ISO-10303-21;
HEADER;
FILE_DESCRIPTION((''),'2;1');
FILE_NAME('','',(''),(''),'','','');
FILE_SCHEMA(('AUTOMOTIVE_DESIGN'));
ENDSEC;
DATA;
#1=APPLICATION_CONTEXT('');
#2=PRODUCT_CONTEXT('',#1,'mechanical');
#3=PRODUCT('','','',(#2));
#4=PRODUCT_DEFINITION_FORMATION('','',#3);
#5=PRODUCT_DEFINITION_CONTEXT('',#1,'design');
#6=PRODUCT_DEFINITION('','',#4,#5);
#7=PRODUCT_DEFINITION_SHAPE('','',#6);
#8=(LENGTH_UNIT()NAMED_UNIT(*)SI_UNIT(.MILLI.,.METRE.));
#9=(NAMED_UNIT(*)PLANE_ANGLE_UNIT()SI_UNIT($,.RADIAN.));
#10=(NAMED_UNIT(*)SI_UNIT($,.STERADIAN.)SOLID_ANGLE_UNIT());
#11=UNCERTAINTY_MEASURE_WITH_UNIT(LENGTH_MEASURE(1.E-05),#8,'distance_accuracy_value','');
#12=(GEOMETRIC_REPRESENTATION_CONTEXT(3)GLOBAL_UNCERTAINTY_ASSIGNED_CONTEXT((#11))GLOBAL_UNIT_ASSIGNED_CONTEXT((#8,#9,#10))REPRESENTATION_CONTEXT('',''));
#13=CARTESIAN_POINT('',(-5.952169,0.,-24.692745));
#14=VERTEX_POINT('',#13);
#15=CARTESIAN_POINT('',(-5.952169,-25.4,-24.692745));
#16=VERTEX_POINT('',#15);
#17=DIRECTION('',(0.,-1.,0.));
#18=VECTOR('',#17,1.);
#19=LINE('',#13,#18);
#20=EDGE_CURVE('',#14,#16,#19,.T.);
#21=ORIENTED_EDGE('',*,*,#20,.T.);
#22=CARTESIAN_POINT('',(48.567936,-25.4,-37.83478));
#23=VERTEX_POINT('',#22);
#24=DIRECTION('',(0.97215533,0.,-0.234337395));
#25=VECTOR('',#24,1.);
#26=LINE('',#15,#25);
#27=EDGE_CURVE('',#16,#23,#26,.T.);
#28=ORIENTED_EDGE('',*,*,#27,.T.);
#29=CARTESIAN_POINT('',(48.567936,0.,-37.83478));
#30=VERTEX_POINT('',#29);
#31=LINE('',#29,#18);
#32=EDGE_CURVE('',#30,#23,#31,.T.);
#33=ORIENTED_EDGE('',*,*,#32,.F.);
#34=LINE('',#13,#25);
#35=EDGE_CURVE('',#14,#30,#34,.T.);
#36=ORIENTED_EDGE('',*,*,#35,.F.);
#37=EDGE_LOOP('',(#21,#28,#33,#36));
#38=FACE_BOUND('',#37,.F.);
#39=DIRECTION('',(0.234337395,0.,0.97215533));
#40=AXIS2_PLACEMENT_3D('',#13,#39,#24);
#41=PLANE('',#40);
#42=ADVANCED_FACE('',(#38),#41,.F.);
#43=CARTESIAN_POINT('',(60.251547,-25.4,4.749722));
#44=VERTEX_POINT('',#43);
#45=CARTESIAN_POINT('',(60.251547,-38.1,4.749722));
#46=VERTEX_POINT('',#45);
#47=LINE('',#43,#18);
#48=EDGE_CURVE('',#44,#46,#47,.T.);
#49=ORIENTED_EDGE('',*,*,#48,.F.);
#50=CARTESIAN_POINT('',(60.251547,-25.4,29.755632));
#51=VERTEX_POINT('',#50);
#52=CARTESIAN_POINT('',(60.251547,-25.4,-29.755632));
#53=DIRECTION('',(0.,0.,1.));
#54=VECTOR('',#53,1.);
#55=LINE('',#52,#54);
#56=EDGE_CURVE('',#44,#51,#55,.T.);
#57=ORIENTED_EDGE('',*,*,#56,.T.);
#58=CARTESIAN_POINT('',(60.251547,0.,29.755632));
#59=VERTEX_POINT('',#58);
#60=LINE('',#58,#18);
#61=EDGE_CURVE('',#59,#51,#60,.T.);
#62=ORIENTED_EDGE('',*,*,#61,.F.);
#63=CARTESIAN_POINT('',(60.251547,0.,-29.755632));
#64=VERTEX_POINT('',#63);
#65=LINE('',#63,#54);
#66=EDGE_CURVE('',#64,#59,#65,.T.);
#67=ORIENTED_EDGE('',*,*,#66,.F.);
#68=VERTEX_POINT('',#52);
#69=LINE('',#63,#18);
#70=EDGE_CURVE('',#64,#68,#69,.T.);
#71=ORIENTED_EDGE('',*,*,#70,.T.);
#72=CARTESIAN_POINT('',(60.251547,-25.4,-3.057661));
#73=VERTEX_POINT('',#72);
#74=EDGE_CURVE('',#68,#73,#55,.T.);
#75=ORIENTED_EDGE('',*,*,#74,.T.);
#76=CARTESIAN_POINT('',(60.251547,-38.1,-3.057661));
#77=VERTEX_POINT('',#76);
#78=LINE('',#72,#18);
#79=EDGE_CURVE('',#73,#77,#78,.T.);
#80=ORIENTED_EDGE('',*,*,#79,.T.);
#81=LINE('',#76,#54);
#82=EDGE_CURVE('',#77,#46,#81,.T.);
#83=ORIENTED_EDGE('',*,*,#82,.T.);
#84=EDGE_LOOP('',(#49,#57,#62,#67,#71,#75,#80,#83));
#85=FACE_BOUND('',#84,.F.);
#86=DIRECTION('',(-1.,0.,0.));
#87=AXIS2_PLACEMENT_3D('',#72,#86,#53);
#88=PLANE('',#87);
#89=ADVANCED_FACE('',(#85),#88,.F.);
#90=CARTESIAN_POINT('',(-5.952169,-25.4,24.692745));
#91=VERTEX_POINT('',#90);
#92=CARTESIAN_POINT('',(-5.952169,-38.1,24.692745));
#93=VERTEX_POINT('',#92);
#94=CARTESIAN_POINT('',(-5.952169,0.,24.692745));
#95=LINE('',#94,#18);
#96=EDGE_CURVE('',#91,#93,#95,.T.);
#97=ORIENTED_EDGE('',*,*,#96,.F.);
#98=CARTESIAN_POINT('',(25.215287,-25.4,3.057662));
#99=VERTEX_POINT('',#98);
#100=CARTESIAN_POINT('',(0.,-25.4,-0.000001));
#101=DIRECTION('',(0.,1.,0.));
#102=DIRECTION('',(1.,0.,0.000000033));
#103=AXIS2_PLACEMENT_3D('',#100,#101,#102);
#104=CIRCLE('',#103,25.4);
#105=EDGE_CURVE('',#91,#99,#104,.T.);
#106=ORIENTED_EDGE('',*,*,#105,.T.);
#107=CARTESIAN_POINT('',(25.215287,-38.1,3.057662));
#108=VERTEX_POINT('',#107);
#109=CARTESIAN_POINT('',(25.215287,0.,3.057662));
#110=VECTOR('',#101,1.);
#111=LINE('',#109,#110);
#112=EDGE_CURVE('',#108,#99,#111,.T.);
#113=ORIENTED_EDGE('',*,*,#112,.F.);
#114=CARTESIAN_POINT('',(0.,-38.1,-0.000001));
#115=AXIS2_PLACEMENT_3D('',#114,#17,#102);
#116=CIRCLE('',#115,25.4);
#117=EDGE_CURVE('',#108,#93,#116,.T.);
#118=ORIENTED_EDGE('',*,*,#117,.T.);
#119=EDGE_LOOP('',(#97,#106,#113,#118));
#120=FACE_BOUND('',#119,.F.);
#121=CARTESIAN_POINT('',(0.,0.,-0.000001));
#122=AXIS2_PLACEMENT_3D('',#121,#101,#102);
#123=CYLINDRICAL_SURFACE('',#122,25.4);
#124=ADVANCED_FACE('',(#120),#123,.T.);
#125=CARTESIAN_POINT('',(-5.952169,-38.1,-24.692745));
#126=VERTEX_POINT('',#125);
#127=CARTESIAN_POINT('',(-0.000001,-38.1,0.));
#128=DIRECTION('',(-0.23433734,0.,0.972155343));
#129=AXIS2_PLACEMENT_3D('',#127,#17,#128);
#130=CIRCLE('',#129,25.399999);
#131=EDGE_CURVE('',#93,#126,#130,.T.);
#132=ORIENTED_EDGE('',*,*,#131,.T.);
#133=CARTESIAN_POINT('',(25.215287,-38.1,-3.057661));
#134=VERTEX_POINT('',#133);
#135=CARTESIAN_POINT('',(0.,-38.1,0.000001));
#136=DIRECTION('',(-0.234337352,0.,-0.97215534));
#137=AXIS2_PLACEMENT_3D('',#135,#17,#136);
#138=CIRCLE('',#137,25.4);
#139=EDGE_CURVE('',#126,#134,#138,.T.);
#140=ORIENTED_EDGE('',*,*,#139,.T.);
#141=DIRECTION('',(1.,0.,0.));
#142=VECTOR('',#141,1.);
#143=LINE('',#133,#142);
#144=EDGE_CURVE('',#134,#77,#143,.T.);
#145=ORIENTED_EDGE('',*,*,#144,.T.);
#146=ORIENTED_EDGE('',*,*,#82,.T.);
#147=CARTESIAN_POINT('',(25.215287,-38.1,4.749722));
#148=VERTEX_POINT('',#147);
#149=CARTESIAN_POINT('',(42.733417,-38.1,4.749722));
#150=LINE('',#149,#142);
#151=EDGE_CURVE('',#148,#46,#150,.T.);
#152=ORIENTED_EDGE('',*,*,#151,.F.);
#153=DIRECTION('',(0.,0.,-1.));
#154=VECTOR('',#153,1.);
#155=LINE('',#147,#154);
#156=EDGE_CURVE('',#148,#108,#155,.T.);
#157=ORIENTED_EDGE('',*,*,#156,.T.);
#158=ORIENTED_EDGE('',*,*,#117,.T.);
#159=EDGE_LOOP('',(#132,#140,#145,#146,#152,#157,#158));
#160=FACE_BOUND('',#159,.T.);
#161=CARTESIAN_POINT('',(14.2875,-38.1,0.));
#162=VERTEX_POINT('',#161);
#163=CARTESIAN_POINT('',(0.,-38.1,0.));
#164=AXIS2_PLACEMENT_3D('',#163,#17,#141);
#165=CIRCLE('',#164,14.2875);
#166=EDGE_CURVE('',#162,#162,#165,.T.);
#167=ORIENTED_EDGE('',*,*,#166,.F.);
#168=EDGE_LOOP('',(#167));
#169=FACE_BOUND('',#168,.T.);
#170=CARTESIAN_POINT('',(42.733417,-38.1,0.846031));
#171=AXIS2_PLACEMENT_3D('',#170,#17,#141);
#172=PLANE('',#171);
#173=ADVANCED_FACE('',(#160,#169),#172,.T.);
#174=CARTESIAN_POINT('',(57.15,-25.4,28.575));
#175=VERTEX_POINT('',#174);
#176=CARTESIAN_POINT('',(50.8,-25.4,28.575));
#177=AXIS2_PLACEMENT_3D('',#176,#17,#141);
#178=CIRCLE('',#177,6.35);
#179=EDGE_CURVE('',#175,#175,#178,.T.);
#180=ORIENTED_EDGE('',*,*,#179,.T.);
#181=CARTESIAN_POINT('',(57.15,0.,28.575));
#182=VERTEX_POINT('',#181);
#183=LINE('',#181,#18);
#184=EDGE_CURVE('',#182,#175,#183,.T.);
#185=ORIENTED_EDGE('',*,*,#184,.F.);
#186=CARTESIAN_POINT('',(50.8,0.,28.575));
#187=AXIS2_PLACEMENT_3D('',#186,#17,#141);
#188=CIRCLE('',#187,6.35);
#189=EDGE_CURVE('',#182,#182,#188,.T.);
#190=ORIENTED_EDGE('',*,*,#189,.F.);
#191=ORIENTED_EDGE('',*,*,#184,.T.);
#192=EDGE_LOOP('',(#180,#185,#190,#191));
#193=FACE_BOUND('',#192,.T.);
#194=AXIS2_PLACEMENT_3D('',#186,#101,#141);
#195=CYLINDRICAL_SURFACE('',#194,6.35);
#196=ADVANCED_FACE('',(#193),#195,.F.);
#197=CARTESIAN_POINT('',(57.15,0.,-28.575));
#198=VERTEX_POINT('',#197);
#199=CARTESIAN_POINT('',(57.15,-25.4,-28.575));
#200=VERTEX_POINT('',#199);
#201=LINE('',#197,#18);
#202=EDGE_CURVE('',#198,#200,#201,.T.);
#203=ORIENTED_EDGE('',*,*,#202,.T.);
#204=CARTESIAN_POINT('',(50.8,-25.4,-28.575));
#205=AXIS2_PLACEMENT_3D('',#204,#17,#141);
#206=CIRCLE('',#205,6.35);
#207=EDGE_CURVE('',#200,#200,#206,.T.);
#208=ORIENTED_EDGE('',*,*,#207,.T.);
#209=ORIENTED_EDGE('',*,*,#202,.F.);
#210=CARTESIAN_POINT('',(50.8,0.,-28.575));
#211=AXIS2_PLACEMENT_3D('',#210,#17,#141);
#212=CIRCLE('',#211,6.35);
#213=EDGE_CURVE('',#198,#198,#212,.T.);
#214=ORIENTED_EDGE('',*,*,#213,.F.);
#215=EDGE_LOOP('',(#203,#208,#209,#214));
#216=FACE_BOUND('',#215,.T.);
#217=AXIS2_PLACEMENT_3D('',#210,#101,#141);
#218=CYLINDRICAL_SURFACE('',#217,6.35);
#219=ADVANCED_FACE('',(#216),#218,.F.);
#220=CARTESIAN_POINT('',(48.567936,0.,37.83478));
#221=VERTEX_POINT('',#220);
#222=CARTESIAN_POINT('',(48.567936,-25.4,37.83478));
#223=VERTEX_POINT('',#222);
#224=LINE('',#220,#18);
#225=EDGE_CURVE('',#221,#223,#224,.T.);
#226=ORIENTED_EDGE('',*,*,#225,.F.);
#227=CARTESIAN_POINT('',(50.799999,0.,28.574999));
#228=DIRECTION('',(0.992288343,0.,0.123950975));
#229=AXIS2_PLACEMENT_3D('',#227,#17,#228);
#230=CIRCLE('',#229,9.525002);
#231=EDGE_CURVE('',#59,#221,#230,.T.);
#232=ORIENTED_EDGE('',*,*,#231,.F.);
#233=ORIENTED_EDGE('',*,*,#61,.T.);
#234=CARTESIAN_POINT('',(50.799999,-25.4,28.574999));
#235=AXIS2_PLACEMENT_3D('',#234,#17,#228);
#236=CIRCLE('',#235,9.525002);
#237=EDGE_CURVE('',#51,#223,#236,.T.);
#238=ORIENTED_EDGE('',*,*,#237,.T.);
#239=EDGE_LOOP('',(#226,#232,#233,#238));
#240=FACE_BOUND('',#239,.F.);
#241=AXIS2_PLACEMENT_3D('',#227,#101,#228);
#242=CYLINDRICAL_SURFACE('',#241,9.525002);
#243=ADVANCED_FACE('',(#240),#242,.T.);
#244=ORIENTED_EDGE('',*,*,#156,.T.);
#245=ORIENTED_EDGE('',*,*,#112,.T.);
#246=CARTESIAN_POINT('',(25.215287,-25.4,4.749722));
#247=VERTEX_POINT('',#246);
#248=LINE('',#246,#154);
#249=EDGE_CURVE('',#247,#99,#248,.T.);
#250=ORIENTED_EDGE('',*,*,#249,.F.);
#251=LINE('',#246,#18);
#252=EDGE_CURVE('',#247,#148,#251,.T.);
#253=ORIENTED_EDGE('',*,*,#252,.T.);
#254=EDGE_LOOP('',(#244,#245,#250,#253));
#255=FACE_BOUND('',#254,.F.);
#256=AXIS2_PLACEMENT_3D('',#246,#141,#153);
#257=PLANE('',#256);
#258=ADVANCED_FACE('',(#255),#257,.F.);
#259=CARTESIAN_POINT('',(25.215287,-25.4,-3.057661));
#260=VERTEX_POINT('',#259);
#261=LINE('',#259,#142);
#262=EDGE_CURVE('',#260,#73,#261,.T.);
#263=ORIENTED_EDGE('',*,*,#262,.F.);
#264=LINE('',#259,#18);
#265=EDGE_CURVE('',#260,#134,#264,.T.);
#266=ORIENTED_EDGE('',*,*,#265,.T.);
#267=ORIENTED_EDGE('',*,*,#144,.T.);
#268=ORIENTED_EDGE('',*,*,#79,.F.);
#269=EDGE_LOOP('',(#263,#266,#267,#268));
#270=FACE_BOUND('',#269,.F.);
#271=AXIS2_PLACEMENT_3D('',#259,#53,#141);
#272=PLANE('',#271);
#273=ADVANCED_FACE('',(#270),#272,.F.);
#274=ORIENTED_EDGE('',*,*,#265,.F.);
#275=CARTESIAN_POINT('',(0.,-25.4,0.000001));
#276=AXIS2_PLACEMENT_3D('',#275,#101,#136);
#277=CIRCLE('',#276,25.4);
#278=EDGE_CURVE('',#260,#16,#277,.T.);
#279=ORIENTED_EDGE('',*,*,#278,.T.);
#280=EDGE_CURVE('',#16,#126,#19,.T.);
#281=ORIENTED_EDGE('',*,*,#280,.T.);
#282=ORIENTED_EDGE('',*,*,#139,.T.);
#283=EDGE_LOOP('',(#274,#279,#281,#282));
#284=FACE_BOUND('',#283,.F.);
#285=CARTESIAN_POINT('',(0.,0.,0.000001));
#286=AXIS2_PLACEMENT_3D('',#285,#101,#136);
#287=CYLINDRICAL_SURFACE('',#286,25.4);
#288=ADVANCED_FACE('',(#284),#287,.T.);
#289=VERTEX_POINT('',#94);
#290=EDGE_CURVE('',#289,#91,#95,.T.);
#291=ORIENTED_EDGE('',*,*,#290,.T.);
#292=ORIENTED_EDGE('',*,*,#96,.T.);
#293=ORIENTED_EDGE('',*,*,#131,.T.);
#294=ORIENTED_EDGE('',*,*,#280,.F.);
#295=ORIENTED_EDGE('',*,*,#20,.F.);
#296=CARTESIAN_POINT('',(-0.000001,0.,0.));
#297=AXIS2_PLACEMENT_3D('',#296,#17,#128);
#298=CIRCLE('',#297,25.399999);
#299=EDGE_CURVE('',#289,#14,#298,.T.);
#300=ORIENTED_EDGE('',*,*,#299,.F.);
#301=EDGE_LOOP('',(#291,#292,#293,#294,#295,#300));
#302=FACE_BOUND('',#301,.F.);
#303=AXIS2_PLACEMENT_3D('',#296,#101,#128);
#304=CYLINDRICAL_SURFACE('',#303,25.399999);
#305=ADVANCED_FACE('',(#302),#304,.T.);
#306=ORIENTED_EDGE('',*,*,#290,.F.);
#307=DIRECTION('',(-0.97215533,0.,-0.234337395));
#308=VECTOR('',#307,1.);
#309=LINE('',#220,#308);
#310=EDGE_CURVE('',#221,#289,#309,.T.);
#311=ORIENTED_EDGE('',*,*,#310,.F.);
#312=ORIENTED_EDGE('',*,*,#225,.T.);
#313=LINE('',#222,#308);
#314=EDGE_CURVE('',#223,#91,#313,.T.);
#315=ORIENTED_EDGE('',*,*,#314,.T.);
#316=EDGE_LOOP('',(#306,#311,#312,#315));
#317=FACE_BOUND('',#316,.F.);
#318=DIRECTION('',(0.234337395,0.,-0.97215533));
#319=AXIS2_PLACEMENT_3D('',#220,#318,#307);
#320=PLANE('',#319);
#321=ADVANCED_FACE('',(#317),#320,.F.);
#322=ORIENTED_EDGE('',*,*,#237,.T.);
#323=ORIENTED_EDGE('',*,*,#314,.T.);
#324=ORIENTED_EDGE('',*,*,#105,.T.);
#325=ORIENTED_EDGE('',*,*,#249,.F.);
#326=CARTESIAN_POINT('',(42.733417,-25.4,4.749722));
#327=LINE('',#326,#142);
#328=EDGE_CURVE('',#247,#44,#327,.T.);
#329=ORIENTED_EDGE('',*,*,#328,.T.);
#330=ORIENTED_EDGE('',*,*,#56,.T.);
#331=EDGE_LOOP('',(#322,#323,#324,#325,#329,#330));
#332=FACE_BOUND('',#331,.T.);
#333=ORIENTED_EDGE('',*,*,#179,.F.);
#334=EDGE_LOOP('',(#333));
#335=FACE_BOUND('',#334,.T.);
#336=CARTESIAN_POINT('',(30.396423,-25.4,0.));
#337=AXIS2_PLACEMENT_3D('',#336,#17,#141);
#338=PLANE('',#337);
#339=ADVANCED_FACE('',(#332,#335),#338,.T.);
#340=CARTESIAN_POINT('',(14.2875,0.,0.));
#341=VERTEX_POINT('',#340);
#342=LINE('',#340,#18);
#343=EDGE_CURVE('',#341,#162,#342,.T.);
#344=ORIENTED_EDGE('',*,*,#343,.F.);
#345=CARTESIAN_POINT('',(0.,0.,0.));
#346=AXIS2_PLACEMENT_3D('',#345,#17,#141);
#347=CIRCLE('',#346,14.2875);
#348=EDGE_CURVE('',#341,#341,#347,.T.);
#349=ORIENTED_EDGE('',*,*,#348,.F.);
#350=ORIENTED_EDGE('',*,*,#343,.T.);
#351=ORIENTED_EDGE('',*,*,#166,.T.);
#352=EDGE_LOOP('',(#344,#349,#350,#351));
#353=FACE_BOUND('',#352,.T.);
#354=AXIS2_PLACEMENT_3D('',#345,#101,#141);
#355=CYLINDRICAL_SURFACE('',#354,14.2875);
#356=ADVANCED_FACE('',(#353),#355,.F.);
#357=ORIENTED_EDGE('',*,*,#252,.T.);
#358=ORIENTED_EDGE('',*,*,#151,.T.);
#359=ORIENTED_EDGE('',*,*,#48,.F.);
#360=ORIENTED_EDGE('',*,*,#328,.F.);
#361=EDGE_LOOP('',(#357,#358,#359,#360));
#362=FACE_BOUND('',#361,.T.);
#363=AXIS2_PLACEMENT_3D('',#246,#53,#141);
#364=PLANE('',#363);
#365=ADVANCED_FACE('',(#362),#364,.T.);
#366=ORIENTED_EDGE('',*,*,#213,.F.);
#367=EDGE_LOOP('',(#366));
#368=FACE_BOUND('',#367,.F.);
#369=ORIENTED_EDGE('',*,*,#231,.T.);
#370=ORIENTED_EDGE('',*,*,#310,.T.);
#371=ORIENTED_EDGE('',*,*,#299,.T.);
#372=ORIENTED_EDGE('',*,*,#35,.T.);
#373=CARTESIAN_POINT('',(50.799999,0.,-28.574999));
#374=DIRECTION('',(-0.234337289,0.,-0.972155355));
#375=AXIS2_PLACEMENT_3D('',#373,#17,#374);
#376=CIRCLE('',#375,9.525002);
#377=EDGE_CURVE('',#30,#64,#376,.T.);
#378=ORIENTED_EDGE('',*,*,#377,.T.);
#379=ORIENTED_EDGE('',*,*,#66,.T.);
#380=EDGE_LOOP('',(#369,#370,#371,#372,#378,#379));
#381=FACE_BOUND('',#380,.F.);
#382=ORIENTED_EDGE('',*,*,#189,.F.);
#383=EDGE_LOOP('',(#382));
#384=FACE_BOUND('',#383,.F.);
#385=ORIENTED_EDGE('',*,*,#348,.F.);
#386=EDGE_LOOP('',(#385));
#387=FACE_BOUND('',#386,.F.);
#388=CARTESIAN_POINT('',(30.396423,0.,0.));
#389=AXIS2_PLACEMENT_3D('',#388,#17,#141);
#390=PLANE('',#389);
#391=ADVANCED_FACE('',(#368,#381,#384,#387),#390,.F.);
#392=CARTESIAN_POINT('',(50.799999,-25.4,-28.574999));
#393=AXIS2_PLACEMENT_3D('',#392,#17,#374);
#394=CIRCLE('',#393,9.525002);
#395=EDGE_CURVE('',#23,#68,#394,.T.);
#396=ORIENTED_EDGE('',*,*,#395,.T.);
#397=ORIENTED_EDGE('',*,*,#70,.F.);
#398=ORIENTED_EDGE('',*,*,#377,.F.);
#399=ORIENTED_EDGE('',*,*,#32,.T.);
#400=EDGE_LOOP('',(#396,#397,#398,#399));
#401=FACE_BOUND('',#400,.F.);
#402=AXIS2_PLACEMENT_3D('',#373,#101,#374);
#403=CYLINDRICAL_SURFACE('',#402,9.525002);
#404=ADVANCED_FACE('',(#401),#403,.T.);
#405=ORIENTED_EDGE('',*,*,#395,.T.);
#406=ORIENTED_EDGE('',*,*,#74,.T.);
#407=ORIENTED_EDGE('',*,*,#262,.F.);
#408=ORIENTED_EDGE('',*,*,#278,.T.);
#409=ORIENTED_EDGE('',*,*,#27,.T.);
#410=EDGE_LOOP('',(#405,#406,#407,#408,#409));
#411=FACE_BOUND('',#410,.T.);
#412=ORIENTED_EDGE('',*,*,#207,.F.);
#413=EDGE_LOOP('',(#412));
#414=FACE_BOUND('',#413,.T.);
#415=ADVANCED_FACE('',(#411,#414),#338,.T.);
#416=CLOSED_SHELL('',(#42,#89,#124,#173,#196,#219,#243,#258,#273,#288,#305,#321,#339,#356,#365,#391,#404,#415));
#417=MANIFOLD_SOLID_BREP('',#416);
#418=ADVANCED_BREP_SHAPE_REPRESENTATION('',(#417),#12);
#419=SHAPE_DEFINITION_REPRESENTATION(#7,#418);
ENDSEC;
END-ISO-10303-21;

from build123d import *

# Parameters (mm, degrees)
F0_R     = 6.35
F0_R_2   = 14.2875
F1_DEPTH = 25.4
F2_DEPTH = 38.1
F3_W     = 35.03626
F3_H     = 7.807383
F4_DEPTH = 12.7


with BuildPart() as f1:
    # F0 (on Front) → F1 (new body)
    with BuildSketch(Plane.XZ):
        with BuildLine():
            ThreePointArc((-5.952169, 24.692745), (15.715834, 19.954261), (25.4, 0))
            ThreePointArc((25.4, 0), (15.715834, -19.954261), (-5.952169, -24.692745))
            Line((-5.952169, -24.692745), (48.567936, -37.83478))
            ThreePointArc((48.567936, -37.83478), (56.217416, -36.409362), (60.251547, -29.755632))
            Line((60.251547, -29.755632), (60.251547, 27.394368))
            Line((60.251547, 27.394368), (60.251547, 29.755632))
            ThreePointArc((60.251547, 29.755632), (56.217416, 36.409362), (48.567936, 37.83478))
            Line((48.567936, 37.83478), (-5.952169, 24.692745))
        make_face()
        with Locations((50.8, -28.575)):
            Circle(F0_R, mode=Mode.SUBTRACT)
        with Locations((50.8, 28.575)):
            Circle(F0_R, mode=Mode.SUBTRACT)
        with BuildLine():
            ThreePointArc((-5.952169, -24.692745), (15.715834, -19.954261), (25.4, 0))
            ThreePointArc((25.4, 0), (15.715834, 19.954261), (-5.952169, 24.692745))
            ThreePointArc((-5.952169, 24.692745), (-25.4, 0), (-5.952169, -24.692745))
        make_face()
        Circle(F0_R_2, mode=Mode.SUBTRACT)
    extrude(amount=F1_DEPTH)

    # F0 (on Front) → F2 (join)
    with BuildSketch(Plane.XZ):
        with BuildLine():
            ThreePointArc((-5.952169, -24.692745), (15.715834, -19.954261), (25.4, 0))
            ThreePointArc((25.4, 0), (15.715834, 19.954261), (-5.952169, 24.692745))
            ThreePointArc((-5.952169, 24.692745), (-25.4, 0), (-5.952169, -24.692745))
        make_face()
        Circle(F0_R_2, mode=Mode.SUBTRACT)
    extrude(amount=F2_DEPTH)

    # F3 (on face) → F4 (join)
    with BuildSketch(Plane.XZ.offset(25.4)):
        with Locations((42.733417, 0.846031)):
            Rectangle(F3_W, F3_H)
        with BuildLine():
            Line((60.251547, -3.057661), (60.251547, 4.749722))
            Line((60.251547, 4.749722), (25.215287, 4.749722))
            Line((25.215287, 4.749722), (25.215287, 3.057661))
            ThreePointArc((25.215287, 3.057661), (25.4, 0), (25.215287, -3.057661))
            Line((25.215287, -3.057661), (60.251547, -3.057661))
        make_face()
    extrude(amount=F4_DEPTH)


solid = f1.part
